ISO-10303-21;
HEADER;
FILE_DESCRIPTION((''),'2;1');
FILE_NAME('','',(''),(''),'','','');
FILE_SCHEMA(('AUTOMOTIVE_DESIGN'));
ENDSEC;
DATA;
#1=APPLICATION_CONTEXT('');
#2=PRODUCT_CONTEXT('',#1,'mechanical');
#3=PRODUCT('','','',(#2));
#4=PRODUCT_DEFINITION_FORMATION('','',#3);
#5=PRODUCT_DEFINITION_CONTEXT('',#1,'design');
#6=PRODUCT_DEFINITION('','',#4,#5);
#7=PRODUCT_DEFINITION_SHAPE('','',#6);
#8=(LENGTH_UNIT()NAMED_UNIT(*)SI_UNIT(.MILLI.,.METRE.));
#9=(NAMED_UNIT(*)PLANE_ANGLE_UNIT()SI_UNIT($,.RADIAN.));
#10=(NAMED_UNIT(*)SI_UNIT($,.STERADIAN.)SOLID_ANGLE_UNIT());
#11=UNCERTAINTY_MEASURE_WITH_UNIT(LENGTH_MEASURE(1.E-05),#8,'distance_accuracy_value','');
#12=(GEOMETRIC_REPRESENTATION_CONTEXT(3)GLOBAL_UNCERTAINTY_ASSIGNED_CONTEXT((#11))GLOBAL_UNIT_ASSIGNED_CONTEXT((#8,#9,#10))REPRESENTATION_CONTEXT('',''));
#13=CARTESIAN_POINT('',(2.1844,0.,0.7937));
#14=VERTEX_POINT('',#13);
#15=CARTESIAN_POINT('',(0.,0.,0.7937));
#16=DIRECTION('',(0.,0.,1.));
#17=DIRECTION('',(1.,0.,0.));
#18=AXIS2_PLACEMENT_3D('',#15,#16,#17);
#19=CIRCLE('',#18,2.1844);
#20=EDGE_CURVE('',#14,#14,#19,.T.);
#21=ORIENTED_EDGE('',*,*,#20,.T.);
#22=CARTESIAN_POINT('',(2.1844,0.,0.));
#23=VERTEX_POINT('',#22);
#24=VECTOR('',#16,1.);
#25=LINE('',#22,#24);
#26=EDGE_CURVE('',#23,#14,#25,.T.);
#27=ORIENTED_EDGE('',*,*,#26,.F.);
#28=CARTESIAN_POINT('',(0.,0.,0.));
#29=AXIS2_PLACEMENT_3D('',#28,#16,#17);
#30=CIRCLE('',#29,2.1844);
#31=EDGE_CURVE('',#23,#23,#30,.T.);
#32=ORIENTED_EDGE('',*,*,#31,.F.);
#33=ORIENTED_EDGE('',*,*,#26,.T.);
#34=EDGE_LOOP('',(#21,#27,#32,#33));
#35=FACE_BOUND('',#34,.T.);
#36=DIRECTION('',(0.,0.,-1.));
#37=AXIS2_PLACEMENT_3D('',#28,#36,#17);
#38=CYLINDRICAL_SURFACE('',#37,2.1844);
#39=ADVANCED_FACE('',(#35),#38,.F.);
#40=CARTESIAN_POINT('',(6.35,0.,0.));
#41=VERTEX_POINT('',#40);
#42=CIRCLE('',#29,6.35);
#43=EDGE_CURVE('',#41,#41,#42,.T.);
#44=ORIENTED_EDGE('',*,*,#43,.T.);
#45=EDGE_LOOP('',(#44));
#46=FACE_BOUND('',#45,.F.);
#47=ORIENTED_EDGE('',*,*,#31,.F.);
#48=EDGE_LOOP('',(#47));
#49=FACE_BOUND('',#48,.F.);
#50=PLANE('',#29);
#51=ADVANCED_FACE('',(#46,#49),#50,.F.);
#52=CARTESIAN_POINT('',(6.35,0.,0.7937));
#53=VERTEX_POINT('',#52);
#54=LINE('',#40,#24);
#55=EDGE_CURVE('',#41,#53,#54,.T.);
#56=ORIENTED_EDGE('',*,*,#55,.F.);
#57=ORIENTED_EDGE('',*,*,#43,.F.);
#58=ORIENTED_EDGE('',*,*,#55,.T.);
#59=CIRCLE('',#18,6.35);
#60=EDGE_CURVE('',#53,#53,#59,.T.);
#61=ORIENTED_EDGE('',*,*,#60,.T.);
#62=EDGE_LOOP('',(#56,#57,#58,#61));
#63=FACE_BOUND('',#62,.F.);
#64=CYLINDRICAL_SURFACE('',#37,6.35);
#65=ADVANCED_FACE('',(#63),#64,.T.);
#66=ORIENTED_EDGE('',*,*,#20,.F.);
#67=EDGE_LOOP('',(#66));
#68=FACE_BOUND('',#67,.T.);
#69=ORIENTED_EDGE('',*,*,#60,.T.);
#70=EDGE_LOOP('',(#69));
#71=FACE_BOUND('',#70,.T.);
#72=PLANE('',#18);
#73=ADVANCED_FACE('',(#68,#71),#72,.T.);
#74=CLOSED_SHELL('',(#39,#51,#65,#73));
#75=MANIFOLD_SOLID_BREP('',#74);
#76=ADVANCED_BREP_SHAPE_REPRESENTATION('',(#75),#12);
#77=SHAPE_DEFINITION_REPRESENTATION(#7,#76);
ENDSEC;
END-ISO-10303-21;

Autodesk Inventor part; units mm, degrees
ref_plane "YZ Plane" through (0, 0, 0) normal (1, 0, 0) x (0, 1, 0)
ref_plane "XZ Plane" through (0, 0, 0) normal (0, 1, 0) x (-1, 0, 0)
ref_plane "XY Plane" through (0, 0, 0) normal (0, 0, 1) x (1, 0, 0)
sketch "Sketch1" plane through (0, 0, 0) normal (0, 0, 1) x (1, 0, 0)
  circle A0 centre (0, 0) radius 2.1844
  circle A1 centre (0, 0) radius 6.35
  dimension "d0" = 4.3688
  dimension "d1" = 12.7
extrude "Extrusion1" add sketch "Sketch1" along normal blind 0.7937
properties part number "thin_wide_washer" material "Polycarbonate, Smoke"
